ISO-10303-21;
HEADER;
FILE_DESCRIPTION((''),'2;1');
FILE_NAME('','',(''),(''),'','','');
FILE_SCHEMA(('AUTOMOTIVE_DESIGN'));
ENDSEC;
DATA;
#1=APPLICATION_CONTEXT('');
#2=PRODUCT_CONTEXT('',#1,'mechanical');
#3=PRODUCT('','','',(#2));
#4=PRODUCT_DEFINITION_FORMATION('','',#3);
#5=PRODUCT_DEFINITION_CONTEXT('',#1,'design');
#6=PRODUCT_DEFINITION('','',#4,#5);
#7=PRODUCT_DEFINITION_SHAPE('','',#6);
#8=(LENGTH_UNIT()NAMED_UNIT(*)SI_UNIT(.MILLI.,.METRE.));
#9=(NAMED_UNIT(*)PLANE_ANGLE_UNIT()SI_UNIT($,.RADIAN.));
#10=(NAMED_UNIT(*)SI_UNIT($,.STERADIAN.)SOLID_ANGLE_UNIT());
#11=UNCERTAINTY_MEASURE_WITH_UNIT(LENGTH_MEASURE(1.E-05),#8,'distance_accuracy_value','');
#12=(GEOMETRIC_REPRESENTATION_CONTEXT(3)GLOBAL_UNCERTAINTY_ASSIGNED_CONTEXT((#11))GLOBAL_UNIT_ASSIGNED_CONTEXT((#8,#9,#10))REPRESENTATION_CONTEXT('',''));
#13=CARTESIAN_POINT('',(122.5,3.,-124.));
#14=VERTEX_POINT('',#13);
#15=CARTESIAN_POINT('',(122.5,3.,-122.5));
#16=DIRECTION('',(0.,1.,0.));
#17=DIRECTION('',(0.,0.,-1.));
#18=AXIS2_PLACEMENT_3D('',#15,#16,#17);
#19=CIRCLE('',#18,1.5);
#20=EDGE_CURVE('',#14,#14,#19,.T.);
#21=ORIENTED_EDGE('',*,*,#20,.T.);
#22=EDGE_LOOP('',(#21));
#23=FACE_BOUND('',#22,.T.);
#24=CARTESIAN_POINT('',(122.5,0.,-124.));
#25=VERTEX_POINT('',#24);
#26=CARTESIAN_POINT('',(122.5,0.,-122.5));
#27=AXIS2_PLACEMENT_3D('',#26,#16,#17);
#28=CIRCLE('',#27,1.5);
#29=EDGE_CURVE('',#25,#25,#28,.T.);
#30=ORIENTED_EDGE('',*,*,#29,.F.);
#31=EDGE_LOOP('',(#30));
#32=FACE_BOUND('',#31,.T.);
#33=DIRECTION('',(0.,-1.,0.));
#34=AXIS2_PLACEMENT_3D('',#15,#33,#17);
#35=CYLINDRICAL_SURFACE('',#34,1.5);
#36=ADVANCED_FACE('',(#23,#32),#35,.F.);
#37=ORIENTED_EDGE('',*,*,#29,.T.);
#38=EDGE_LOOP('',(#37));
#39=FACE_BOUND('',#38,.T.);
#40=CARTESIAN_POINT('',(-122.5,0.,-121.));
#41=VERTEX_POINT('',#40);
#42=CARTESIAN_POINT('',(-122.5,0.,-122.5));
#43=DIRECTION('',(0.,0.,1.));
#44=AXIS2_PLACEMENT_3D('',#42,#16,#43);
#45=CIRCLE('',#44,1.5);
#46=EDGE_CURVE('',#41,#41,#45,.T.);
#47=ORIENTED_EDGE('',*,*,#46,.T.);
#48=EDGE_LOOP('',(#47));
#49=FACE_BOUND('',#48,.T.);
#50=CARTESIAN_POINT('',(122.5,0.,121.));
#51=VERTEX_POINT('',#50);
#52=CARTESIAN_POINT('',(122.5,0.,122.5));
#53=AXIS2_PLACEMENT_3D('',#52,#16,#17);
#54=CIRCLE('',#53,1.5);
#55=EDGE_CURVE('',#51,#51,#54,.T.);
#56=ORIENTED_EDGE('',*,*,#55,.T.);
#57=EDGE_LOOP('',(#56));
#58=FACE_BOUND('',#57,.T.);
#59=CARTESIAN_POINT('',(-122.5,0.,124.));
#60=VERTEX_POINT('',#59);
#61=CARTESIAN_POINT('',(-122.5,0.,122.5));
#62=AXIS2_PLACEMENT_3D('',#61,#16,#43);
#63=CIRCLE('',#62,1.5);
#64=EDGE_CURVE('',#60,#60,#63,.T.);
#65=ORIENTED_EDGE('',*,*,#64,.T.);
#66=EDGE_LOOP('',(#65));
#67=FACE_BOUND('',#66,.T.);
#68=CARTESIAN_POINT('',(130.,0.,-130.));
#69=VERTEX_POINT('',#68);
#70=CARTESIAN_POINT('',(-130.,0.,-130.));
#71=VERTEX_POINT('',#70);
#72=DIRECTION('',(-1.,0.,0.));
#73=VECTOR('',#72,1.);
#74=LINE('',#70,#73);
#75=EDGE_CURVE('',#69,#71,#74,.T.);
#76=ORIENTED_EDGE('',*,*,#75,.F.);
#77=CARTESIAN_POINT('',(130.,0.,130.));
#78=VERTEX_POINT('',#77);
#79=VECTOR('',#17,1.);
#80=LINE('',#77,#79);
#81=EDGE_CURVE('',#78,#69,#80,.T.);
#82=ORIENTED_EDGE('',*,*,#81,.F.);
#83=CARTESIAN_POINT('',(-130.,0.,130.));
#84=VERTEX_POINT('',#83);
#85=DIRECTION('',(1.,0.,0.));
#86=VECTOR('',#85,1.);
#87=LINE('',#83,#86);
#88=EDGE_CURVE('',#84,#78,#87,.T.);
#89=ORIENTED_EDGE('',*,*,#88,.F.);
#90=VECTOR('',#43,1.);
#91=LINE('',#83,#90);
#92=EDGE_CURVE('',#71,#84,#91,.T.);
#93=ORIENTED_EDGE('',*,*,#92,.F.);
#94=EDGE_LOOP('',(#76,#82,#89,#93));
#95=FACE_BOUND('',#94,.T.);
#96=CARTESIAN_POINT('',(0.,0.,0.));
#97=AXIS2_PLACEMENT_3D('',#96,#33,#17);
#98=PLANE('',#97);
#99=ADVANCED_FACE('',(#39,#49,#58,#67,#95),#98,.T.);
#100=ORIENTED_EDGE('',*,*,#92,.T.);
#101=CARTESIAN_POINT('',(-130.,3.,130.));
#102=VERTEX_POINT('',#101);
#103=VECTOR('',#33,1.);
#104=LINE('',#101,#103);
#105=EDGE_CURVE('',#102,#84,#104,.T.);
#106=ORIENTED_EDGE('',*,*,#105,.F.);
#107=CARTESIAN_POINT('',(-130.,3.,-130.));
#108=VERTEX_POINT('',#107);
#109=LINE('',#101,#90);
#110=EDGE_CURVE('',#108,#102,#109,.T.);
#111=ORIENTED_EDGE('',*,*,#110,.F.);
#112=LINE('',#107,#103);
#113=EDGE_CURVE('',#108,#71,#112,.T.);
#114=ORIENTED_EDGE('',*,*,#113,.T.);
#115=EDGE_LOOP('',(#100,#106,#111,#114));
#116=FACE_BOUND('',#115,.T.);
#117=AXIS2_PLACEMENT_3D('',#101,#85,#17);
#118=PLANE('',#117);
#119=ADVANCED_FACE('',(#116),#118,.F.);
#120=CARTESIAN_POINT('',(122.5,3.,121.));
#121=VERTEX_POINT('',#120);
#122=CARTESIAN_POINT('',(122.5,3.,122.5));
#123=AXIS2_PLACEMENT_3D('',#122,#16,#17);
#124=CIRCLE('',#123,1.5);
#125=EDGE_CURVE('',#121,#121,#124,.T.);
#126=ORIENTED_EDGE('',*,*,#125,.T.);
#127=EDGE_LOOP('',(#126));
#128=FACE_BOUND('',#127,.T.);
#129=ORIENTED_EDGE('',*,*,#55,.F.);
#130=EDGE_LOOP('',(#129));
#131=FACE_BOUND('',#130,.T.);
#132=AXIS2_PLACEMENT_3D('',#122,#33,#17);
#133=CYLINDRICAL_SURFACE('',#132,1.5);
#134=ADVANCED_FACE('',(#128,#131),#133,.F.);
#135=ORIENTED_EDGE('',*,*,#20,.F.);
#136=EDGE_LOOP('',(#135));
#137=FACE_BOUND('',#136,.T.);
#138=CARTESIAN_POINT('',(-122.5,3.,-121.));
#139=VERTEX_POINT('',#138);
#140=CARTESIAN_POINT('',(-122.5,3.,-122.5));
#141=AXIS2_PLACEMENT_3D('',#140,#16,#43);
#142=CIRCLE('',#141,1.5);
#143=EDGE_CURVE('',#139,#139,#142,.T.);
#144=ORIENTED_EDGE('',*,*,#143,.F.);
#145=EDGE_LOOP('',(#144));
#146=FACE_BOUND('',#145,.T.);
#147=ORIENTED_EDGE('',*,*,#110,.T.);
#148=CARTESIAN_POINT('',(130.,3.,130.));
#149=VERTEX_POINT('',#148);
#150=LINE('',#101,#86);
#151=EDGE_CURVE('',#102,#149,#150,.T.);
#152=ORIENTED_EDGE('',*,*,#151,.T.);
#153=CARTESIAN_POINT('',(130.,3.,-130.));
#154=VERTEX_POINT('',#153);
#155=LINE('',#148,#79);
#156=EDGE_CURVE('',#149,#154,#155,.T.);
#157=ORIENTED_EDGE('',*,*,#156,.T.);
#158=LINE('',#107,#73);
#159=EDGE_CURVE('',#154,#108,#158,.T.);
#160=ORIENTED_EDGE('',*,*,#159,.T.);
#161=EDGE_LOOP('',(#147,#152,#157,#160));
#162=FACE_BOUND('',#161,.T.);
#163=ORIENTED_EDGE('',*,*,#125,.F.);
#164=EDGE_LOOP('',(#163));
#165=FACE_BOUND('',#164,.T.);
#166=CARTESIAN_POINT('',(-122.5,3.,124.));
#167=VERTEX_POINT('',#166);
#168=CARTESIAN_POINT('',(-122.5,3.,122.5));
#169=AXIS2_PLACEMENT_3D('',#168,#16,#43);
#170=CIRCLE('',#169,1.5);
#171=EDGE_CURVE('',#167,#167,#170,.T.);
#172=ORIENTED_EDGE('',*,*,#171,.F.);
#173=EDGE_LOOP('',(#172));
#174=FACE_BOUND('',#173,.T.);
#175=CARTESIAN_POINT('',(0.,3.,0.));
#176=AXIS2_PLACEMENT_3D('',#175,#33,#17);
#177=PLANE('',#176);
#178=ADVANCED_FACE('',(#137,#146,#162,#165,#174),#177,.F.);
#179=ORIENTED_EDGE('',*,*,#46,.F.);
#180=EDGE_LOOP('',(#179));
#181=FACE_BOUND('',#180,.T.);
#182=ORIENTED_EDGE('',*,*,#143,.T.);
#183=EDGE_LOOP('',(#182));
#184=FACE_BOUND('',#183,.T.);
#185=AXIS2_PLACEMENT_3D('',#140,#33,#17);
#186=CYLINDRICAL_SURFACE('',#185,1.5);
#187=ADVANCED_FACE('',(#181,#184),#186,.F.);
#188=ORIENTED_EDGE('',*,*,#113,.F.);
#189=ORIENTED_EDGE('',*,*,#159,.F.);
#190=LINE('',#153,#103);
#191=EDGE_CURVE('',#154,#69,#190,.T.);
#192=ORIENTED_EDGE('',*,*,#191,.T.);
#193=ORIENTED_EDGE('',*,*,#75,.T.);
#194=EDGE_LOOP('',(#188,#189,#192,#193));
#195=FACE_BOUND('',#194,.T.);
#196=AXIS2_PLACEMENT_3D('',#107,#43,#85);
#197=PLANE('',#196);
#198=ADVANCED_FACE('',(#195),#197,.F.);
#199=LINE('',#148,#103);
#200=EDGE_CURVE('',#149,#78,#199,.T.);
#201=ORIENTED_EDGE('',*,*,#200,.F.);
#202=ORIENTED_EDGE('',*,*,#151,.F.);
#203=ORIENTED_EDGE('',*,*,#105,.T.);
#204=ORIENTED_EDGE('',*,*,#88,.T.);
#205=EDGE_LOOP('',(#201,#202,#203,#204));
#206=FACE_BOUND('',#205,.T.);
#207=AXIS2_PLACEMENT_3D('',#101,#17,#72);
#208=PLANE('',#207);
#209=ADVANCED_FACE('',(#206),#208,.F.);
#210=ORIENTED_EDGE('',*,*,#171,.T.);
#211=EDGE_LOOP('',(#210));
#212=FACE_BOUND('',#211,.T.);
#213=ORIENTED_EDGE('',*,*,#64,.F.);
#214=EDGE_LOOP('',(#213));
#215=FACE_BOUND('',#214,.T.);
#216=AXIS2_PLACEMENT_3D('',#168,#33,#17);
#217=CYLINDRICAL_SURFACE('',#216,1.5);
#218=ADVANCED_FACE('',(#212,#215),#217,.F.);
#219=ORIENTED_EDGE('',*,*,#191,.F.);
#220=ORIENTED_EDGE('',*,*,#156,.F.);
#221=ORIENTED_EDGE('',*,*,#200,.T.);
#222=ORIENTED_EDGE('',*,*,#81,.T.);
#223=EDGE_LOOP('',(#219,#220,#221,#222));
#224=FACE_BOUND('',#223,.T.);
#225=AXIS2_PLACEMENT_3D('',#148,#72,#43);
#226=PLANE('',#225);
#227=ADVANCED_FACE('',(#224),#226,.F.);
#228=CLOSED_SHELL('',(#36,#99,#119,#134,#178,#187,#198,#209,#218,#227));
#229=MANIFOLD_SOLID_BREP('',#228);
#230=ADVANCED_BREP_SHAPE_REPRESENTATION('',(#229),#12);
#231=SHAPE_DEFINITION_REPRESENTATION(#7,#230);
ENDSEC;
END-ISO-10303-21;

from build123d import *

# Parameters (mm, degrees)
ESBO_O1_W                = 260
ESBO_O1_H                = 260
ESBO_O1_R                = 1.5
RESSALTO_EXTRUS_O1_DEPTH = 3


with BuildPart() as part:
    # Esboço1 → Ressalto-extrusão1 (new body)
    with BuildSketch(Plane(origin=(0, 0, 0), x_dir=(1, 0, 0), z_dir=(0, 1, 0))):
        Rectangle(ESBO_O1_W, ESBO_O1_H)
        with Locations(Location((-122.5, 122.5, 0), (0, 0, 270))):
            Circle(ESBO_O1_R, mode=Mode.SUBTRACT)
        with Locations(Location((-122.5, -122.5, 0), (0, 0, 270))):
            Circle(ESBO_O1_R, mode=Mode.SUBTRACT)
        with Locations(Location((122.5, -122.5, 0), (0, 0, 90))):
            Circle(ESBO_O1_R, mode=Mode.SUBTRACT)
        with Locations(Location((122.5, 122.5, 0), (0, 0, 90))):
            Circle(ESBO_O1_R, mode=Mode.SUBTRACT)
    extrude(amount=RESSALTO_EXTRUS_O1_DEPTH)


solid = part.part
